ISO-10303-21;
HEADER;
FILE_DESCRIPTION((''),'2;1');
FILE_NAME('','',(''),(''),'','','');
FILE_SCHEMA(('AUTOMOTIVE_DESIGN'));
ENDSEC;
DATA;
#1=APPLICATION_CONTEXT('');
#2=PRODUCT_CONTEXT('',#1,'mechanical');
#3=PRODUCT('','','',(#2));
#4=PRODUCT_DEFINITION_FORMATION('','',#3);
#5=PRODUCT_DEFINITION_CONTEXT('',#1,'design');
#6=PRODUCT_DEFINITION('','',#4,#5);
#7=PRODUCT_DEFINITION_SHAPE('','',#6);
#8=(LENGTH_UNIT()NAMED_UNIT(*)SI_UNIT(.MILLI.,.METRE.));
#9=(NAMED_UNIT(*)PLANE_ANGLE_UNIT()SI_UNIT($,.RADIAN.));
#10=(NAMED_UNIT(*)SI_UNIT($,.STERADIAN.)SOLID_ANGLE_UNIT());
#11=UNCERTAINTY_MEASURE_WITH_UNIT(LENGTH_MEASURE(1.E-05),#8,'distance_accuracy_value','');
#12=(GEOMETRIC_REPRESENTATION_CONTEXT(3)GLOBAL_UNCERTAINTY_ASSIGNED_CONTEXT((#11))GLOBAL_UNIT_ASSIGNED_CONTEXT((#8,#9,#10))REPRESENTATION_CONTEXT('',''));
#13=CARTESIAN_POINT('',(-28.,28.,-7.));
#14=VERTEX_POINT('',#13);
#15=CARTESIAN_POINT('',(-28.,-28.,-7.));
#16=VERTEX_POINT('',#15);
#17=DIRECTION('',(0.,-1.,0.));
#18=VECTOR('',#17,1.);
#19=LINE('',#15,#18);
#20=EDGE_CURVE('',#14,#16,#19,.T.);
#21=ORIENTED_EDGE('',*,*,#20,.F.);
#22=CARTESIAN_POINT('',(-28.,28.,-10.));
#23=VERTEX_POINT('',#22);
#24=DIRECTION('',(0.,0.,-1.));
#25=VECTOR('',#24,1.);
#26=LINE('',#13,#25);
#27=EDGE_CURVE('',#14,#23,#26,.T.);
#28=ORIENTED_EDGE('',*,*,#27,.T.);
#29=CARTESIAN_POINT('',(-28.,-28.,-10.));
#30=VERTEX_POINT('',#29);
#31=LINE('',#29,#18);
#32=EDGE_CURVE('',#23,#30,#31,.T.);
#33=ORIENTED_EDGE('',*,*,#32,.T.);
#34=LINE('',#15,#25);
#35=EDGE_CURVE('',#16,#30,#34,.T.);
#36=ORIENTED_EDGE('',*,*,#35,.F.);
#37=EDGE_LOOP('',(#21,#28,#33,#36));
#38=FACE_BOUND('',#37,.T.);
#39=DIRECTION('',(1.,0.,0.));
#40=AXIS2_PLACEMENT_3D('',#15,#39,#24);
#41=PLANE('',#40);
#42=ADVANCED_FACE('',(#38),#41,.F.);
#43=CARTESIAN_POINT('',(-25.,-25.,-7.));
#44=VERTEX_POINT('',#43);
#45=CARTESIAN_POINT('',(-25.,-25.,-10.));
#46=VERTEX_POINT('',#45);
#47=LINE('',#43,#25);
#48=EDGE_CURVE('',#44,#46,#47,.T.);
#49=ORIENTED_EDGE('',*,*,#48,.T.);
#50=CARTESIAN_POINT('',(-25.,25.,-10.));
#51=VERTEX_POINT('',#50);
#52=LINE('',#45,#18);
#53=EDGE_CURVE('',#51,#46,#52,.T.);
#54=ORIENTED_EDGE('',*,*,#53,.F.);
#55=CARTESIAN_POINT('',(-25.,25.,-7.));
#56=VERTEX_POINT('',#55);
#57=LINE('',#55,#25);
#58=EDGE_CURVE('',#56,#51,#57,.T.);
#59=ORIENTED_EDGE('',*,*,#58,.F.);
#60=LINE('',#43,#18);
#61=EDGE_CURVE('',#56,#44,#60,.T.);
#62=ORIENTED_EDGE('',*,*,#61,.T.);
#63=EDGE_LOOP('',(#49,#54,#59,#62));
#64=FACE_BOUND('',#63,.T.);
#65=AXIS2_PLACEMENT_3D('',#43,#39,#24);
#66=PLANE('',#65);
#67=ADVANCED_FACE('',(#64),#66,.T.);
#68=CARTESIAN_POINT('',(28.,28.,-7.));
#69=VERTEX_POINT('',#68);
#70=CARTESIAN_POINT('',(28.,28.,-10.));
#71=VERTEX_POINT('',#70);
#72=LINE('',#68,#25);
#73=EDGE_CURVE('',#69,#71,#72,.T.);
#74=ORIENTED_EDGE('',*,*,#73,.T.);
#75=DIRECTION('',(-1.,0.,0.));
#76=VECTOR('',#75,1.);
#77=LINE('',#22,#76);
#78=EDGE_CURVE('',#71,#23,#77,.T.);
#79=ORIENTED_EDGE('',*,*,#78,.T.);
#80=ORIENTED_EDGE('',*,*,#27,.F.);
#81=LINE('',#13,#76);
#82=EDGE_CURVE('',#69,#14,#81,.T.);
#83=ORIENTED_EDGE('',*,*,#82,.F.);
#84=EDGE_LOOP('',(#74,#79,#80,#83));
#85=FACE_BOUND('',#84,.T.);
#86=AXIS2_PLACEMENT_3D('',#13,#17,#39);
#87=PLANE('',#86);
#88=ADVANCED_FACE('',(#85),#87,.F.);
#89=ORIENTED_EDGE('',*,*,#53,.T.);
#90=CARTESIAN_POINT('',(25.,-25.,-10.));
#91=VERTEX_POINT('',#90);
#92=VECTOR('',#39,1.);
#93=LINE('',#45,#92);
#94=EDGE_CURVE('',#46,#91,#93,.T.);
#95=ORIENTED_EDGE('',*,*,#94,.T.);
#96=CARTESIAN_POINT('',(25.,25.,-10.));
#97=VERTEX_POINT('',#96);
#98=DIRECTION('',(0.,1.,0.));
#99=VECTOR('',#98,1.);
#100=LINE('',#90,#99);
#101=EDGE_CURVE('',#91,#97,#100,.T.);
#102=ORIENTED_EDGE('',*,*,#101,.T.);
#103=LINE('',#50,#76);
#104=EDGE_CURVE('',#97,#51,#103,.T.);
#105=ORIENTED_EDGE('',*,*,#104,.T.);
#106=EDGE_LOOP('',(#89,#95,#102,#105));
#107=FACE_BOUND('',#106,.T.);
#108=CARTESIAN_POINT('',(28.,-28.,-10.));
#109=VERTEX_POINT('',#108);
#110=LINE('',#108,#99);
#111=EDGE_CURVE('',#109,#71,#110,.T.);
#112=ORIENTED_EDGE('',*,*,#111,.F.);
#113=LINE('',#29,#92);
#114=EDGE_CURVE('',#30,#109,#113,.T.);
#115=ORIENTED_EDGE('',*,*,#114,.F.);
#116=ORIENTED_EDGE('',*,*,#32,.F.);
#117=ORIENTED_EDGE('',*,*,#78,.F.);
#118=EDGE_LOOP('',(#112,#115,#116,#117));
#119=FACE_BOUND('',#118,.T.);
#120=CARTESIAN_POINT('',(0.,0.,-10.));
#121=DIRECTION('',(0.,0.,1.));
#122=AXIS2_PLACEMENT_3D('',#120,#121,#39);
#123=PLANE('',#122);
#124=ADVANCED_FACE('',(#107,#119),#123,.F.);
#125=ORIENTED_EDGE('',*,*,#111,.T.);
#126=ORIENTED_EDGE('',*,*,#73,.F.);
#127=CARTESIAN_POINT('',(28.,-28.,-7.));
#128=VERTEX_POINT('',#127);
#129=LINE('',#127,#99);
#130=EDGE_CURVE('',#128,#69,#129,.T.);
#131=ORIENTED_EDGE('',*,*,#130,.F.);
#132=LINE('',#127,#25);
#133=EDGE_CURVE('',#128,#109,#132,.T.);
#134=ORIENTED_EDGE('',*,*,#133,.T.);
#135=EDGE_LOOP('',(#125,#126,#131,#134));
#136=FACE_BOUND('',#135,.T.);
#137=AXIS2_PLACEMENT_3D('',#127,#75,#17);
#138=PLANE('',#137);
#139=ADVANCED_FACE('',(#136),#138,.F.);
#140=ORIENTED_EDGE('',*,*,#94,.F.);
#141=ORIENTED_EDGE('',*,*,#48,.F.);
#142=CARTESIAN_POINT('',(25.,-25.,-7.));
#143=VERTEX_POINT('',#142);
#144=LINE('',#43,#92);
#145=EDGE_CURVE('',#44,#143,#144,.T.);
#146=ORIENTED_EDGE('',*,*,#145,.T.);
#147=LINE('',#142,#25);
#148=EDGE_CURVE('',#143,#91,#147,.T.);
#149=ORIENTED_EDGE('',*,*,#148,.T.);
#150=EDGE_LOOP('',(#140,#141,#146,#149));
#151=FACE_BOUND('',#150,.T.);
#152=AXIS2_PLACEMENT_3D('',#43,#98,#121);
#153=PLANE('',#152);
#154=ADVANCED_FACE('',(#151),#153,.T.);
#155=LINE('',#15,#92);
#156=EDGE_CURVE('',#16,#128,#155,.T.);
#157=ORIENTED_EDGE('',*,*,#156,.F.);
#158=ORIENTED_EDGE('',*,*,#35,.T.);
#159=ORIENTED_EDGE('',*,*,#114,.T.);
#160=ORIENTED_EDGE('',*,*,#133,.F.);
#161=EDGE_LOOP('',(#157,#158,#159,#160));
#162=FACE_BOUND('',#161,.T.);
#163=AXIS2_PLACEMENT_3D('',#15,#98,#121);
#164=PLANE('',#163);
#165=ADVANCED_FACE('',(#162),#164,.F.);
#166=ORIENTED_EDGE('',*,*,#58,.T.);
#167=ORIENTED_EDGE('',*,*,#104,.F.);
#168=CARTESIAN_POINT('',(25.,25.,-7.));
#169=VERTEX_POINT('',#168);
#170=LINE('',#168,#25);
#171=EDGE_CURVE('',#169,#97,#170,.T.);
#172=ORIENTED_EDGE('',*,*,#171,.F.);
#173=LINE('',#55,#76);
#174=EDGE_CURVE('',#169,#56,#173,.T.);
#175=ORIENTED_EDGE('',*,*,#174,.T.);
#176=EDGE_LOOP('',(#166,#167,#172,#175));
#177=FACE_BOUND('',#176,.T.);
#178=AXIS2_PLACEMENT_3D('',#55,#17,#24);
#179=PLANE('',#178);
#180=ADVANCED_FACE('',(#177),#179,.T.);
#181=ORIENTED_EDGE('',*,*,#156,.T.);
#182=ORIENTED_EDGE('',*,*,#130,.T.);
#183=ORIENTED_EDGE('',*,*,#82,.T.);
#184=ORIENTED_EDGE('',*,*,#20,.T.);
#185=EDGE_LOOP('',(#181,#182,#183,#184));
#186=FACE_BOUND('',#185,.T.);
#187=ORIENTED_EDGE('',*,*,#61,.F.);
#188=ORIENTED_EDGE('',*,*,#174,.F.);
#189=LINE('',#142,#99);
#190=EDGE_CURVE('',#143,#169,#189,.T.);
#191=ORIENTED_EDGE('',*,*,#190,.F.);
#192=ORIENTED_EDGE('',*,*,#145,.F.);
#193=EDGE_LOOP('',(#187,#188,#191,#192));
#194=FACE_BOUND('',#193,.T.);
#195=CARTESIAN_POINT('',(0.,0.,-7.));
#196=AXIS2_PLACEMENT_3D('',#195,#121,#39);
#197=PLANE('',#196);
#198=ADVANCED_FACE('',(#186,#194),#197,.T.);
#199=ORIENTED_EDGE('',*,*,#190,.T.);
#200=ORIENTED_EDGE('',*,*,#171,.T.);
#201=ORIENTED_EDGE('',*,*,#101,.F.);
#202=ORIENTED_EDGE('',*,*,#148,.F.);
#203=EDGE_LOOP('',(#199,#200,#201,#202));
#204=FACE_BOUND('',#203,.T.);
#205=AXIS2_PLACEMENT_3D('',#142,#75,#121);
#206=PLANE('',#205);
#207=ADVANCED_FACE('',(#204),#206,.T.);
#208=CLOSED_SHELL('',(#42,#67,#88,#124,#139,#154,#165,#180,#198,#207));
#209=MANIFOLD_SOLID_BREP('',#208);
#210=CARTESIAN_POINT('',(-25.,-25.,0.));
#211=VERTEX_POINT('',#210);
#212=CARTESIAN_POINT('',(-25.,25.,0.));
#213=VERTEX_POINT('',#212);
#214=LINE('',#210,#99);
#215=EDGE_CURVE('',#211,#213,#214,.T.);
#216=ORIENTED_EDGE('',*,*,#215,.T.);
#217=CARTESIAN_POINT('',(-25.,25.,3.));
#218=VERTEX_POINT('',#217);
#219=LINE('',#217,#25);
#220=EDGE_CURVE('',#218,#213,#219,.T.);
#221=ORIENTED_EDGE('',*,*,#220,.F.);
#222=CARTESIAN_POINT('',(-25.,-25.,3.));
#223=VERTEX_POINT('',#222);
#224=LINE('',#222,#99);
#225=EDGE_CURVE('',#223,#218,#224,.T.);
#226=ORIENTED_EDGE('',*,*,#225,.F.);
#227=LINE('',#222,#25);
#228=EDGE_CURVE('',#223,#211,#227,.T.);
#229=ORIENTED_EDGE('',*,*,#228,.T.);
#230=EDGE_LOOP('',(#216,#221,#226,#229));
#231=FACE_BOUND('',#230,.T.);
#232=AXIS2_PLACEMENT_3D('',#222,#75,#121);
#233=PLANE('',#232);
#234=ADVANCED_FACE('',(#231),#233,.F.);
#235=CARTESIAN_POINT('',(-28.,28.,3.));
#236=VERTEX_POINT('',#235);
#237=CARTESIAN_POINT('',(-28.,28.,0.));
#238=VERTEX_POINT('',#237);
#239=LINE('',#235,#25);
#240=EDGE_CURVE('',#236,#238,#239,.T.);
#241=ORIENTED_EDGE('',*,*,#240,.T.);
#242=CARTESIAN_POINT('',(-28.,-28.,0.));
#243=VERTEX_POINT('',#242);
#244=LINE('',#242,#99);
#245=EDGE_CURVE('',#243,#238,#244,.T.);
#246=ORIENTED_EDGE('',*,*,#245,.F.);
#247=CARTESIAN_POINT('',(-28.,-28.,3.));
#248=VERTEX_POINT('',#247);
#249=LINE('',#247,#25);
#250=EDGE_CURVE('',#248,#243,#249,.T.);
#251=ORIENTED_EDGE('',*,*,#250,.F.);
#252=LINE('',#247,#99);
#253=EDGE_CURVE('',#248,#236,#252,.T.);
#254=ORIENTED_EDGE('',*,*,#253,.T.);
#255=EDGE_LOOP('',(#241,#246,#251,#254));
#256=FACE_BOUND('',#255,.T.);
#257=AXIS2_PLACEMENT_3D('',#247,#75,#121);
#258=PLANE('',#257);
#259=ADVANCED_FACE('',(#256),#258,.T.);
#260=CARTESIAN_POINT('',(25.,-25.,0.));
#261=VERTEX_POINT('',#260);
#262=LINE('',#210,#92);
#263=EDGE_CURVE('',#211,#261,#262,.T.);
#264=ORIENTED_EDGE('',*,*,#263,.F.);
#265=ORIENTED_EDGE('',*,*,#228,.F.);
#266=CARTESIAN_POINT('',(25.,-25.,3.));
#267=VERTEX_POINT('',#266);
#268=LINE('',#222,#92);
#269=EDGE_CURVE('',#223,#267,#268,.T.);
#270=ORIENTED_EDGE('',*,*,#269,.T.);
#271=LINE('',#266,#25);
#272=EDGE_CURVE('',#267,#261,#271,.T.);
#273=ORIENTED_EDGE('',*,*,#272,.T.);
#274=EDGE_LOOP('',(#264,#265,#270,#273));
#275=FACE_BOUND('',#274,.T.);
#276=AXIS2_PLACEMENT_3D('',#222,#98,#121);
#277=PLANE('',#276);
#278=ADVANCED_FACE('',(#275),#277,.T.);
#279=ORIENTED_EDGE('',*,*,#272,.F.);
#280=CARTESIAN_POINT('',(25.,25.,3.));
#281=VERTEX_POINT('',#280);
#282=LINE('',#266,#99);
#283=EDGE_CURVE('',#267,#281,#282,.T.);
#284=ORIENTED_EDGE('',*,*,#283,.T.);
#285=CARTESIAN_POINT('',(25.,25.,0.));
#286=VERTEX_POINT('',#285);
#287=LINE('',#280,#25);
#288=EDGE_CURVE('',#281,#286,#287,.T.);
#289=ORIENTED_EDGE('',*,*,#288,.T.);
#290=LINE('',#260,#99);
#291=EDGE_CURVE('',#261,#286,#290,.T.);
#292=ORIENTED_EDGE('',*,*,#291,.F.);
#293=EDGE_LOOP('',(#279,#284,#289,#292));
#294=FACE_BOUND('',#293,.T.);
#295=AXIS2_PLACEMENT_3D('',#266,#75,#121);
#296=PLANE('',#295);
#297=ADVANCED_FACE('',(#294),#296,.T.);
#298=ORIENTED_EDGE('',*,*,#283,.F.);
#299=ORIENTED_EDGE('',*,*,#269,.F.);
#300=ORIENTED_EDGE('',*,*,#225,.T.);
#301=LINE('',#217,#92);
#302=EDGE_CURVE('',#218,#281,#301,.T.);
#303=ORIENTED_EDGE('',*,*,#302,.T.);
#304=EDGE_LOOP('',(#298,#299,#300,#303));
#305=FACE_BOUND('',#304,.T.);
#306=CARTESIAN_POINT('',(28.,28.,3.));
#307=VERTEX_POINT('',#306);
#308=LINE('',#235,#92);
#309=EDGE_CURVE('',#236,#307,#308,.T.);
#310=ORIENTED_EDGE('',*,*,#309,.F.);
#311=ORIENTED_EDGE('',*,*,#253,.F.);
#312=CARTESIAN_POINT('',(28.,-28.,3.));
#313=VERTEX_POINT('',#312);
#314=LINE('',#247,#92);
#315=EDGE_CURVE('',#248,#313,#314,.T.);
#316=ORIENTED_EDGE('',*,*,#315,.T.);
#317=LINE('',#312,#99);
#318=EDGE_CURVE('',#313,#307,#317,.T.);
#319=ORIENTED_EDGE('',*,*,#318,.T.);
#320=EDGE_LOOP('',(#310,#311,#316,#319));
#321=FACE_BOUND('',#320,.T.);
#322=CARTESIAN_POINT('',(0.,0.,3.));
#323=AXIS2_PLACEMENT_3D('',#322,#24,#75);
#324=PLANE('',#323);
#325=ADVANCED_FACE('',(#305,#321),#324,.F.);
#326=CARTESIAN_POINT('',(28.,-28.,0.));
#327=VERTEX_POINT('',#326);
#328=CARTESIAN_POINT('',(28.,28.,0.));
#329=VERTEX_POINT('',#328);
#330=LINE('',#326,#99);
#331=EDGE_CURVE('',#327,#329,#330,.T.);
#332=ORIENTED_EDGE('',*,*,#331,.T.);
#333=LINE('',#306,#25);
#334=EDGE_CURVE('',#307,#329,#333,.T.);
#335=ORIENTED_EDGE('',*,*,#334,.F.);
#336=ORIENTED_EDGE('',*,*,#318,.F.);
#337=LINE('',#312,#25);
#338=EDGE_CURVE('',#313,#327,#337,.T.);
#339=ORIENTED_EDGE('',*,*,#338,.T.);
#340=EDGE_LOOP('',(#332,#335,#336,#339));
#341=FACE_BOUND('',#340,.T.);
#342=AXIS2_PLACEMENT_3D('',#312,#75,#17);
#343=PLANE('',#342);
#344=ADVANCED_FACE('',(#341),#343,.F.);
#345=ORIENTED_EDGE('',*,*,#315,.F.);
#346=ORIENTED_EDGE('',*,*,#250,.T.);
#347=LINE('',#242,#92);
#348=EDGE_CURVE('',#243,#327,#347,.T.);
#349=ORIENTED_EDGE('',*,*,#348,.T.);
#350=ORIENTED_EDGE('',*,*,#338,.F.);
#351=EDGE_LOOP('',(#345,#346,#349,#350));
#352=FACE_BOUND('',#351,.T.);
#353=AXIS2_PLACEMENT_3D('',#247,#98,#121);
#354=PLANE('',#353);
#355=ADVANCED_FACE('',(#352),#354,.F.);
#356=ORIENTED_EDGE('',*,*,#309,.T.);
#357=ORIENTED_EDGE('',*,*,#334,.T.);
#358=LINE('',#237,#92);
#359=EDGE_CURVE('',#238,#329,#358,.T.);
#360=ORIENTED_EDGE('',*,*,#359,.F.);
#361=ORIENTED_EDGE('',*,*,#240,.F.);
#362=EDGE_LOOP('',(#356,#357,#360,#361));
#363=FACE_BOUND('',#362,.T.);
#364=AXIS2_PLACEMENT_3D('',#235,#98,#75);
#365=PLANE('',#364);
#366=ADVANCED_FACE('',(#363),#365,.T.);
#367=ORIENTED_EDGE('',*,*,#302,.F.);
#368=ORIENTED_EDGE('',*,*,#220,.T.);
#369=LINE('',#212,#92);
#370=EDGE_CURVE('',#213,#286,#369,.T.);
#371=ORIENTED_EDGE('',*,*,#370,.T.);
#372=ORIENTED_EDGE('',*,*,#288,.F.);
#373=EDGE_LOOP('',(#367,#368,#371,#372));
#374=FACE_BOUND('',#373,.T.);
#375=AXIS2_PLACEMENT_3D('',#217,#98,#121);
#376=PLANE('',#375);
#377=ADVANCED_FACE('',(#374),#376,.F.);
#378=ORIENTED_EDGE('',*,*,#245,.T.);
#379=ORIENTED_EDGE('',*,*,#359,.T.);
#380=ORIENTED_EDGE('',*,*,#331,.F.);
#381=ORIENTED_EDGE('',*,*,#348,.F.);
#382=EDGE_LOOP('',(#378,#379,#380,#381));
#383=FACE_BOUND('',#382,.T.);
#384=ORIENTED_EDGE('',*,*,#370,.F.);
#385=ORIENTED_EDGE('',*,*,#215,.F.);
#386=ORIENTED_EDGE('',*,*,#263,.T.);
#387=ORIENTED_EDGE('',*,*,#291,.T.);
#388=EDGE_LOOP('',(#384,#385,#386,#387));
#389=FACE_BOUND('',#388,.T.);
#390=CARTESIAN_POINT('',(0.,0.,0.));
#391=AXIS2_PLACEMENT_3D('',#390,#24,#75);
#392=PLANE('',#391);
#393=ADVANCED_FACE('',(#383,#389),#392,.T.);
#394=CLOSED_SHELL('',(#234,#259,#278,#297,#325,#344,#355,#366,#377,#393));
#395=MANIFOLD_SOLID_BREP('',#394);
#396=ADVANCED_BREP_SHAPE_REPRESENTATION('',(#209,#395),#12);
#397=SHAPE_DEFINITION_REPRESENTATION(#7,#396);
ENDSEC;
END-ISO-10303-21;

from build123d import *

# Parameters (mm, degrees)
SKETCH1_W           = 56
SKETCH1_H           = 56
SKETCH1_W_2         = 50
SKETCH1_H_2         = 50
BOSS_EXTRUDE1_DEPTH = 3
SKETCH2_W           = 56
SKETCH2_H           = 56
SKETCH2_W_2         = 50
SKETCH2_H_2         = 50
BOSS_EXTRUDE2_DEPTH = 3


with BuildPart() as part:
    # Sketch1 → Boss-Extrude1 (new body)
    with BuildSketch(Plane.XY):
        Rectangle(SKETCH1_W, SKETCH1_H)
        Rectangle(SKETCH1_W_2, SKETCH1_H_2, mode=Mode.SUBTRACT)
    extrude(amount=BOSS_EXTRUDE1_DEPTH)


with BuildPart() as body_2:
    # Sketch2 → Boss-Extrude2 (new body)
    with BuildSketch(Plane.XY.offset(-10)):
        Rectangle(SKETCH2_W, SKETCH2_H)
        Rectangle(SKETCH2_W_2, SKETCH2_H_2, mode=Mode.SUBTRACT)
    extrude(amount=BOSS_EXTRUDE2_DEPTH)


solid = Compound([part.part, body_2.part])
